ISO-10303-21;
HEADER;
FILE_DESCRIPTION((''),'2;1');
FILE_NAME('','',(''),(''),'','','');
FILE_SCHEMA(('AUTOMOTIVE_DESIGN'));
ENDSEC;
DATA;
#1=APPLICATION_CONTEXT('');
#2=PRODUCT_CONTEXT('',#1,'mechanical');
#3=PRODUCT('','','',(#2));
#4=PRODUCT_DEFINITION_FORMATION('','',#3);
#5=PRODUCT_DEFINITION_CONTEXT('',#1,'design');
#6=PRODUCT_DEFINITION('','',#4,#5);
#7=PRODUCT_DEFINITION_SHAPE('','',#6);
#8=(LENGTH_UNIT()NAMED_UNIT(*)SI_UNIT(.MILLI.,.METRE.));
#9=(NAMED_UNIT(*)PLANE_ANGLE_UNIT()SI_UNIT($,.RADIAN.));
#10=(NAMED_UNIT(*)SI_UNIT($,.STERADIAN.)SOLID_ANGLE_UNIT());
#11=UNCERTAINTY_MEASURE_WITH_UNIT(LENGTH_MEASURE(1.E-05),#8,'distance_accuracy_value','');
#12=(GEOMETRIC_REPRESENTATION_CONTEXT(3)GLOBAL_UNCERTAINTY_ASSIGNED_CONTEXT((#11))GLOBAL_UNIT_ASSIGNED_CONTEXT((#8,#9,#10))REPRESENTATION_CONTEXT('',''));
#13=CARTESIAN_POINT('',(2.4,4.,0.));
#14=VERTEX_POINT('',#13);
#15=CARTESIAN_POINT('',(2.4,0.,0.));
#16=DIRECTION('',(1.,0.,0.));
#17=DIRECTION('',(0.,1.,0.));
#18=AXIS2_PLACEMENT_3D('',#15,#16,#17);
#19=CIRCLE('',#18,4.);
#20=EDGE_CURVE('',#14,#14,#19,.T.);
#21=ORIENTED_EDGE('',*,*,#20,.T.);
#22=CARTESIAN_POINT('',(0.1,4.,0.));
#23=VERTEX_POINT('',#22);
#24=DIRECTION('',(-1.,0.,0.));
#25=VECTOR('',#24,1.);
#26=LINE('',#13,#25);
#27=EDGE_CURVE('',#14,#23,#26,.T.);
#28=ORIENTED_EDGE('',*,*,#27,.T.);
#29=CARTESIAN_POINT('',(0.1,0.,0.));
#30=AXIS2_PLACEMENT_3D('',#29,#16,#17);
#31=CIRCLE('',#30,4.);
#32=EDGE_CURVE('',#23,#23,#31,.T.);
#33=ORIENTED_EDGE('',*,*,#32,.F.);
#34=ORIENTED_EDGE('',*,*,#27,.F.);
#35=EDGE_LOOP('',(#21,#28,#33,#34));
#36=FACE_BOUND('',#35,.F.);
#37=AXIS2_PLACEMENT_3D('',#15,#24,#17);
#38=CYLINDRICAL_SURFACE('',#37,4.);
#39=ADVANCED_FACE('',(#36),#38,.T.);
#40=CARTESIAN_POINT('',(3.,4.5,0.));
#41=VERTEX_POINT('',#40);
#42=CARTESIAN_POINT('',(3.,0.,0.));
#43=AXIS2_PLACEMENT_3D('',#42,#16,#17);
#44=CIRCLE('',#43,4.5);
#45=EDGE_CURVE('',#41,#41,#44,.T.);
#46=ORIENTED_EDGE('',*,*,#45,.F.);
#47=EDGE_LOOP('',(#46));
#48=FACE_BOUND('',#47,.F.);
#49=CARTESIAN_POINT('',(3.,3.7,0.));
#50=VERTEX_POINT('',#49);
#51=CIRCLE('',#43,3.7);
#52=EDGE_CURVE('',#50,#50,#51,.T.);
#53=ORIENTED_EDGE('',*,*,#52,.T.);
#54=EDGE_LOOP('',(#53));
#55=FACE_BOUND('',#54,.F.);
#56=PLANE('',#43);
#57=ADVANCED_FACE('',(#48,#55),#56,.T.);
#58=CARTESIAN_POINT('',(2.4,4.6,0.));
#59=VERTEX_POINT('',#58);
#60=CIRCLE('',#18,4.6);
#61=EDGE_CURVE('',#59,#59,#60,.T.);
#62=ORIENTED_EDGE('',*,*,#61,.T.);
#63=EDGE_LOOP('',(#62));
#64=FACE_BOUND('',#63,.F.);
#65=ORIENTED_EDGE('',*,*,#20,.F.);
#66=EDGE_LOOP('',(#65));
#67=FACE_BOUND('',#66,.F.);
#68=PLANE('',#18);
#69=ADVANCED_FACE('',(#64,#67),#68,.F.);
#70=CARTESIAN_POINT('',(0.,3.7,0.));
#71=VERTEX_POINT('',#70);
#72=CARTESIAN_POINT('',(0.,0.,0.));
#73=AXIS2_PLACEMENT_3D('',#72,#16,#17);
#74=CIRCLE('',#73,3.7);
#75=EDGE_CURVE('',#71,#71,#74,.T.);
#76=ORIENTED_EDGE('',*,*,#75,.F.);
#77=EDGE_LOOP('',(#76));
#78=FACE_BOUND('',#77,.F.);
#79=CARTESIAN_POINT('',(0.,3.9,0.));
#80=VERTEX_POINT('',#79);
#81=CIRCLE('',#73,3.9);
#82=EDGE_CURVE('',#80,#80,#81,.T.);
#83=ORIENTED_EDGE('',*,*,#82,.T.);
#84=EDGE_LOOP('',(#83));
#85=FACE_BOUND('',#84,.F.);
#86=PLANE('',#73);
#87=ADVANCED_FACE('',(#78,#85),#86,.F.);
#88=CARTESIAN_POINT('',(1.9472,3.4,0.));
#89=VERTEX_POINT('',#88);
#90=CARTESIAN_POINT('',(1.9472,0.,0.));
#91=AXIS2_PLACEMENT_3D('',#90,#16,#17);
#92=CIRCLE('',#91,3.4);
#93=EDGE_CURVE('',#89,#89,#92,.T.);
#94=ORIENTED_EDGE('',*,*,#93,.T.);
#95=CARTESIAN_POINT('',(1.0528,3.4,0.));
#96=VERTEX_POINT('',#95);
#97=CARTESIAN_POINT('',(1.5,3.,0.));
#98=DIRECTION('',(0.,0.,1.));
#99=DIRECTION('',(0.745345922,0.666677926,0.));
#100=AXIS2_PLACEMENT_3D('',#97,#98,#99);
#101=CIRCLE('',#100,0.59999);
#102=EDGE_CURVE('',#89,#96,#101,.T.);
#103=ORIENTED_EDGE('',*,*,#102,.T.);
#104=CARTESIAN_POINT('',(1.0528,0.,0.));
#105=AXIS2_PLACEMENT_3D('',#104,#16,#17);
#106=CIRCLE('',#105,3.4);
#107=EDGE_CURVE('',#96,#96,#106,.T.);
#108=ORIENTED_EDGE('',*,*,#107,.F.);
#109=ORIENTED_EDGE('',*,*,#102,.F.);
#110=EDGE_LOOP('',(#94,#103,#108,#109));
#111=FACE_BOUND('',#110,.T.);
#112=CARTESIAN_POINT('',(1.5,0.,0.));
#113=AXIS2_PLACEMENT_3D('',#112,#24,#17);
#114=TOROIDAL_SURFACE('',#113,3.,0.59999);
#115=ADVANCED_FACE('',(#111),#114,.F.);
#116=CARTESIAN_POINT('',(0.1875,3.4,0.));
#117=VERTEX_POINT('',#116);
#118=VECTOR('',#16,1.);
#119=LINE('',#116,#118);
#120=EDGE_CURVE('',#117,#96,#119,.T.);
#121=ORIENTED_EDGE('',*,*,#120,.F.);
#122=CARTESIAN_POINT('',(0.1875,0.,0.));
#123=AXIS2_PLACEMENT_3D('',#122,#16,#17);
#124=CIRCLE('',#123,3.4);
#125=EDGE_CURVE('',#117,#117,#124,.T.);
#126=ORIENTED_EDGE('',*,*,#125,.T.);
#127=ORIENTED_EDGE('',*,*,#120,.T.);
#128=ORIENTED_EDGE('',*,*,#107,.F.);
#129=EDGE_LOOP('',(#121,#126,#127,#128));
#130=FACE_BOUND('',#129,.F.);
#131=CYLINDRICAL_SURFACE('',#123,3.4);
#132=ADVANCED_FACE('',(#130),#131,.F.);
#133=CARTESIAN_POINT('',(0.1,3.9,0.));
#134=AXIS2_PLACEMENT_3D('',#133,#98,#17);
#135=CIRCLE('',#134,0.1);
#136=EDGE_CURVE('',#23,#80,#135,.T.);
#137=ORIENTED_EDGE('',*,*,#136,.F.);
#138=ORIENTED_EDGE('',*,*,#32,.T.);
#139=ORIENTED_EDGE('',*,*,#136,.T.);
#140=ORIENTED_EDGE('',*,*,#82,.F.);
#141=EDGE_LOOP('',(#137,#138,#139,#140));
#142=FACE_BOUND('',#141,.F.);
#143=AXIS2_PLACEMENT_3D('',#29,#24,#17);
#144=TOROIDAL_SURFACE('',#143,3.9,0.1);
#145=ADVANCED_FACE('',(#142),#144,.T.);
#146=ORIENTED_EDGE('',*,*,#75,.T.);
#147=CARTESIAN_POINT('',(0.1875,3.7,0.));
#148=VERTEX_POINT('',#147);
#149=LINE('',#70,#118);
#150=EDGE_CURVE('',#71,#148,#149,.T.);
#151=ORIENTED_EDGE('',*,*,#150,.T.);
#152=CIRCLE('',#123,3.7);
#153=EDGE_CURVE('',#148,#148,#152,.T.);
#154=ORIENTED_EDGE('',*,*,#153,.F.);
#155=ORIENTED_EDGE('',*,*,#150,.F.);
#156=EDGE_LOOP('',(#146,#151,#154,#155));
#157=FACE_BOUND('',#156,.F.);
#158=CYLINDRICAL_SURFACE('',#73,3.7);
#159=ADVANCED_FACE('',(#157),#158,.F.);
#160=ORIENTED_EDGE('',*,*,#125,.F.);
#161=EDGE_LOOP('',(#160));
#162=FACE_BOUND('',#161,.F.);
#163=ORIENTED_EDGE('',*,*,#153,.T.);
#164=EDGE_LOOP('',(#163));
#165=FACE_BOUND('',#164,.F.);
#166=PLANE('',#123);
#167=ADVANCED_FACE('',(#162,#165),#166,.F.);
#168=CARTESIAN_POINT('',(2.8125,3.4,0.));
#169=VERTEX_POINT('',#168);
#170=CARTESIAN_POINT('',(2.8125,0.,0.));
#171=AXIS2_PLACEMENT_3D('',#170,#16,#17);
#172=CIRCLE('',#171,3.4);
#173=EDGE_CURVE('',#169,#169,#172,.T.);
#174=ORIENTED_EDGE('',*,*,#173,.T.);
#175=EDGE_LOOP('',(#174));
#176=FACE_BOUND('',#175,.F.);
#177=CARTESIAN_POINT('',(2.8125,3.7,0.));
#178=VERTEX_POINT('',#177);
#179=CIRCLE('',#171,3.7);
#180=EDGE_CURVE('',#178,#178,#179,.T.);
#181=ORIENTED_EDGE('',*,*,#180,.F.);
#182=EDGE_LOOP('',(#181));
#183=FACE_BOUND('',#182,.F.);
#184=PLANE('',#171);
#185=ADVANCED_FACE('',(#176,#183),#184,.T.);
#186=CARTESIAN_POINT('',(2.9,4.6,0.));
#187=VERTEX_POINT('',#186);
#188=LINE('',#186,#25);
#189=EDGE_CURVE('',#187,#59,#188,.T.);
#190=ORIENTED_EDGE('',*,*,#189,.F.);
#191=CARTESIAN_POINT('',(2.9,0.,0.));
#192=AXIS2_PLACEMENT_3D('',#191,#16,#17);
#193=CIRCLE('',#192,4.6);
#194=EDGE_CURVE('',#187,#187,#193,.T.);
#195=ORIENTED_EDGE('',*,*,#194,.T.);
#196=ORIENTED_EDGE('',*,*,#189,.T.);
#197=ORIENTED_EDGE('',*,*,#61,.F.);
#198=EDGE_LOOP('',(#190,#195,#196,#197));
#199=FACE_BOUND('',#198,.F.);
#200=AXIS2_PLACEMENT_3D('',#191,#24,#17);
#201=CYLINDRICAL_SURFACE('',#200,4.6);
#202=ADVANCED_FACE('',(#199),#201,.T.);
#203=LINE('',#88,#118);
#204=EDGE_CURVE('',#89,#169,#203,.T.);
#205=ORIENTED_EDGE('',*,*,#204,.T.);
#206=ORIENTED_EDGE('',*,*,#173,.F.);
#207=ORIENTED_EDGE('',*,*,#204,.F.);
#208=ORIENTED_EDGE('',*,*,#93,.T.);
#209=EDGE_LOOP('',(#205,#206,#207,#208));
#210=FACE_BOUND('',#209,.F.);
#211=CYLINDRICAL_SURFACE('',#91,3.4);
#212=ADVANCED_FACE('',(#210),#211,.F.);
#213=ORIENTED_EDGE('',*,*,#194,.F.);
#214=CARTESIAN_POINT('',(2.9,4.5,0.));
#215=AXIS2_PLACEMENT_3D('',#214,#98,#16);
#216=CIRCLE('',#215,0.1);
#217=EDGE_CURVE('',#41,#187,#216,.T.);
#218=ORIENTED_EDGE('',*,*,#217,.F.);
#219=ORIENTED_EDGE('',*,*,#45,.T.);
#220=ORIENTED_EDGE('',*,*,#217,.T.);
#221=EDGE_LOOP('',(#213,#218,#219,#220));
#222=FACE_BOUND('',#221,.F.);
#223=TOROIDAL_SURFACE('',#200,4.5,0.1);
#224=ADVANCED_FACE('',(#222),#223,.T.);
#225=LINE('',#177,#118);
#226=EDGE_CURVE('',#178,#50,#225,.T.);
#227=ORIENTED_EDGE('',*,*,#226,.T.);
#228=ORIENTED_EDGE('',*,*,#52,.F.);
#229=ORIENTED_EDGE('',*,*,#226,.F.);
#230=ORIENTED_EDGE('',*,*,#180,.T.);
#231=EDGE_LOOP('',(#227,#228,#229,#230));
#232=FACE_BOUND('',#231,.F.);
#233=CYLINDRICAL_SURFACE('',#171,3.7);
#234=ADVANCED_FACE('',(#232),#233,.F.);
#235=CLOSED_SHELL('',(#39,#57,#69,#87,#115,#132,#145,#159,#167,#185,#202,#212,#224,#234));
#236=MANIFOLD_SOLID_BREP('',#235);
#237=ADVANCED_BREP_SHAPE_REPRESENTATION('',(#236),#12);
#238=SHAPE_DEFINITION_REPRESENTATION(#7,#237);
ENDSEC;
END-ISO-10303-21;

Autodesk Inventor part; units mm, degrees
sketch "Sketch_1" plane through (0, 0, 0) normal (0, 0, 1) x (1, 0, 0)
  line L0 (3, 0) -> (0, 0)
  line L1 (0, 3.7) -> (0.1875, 3.7)
  line L2 (0.1875, 3.7) -> (0.1875, 3.4)
  line L3 (0.1875, 3.4) -> (1.0528, 3.4)
  arc A0 (1.9472, 3.4) -> (1.0528, 3.4) centre (1.5, 3) ccw
  line L4 (1.9472, 3.4) -> (2.8125, 3.4)
  line L5 (2.8125, 3.4) -> (2.8125, 3.7)
  line L6 (2.8125, 3.7) -> (3, 3.7)
  line L7 (3, 3.7) -> (3, 4.5)
  arc A1 (3, 4.5) -> (2.9, 4.6) centre (2.9, 4.5) ccw
  line L8 (2.9, 4.6) -> (2.4, 4.6)
  line L9 (2.4, 4.6) -> (2.4, 4)
  line L10 (2.4, 4) -> (0.1, 4)
  arc A2 (0.1, 4) -> (0, 3.9) centre (0.1, 3.9) ccw
  line L11 (0, 3.9) -> (0, 3.7)
revolve "Revolution1" add sketch "Sketch_1" angle 360 about axis through (3, 0, 0) along (1, 0, 0)
ref_plane "ip_st_1_XY" through (0, 0, 0) normal (1, 0, 0) x (0, 0, -1)
ref_plane "ip_st_1_YZ" through (0, 0, 0) normal (0, 0, -1) x (0, 1, 0)
ref_plane "ip_st_1_ZX" through (0, 0, 0) normal (0, 1, 0) x (1, 0, 0)
ref_plane "ip_st_2_XY" through (2.8125, 0, 0) normal (-1, 0, 0) x (0, 0, -1)
ref_plane "ip_st_2_YZ" through (2.8125, 0, 0) normal (0, 0, -1) x (0, -1, 0)
ref_plane "ip_st_2_ZX" through (2.8125, 0, 0) normal (0, -1, 0) x (-1, 0, 0)
properties part number "MF84ZZ Outer Ring"
